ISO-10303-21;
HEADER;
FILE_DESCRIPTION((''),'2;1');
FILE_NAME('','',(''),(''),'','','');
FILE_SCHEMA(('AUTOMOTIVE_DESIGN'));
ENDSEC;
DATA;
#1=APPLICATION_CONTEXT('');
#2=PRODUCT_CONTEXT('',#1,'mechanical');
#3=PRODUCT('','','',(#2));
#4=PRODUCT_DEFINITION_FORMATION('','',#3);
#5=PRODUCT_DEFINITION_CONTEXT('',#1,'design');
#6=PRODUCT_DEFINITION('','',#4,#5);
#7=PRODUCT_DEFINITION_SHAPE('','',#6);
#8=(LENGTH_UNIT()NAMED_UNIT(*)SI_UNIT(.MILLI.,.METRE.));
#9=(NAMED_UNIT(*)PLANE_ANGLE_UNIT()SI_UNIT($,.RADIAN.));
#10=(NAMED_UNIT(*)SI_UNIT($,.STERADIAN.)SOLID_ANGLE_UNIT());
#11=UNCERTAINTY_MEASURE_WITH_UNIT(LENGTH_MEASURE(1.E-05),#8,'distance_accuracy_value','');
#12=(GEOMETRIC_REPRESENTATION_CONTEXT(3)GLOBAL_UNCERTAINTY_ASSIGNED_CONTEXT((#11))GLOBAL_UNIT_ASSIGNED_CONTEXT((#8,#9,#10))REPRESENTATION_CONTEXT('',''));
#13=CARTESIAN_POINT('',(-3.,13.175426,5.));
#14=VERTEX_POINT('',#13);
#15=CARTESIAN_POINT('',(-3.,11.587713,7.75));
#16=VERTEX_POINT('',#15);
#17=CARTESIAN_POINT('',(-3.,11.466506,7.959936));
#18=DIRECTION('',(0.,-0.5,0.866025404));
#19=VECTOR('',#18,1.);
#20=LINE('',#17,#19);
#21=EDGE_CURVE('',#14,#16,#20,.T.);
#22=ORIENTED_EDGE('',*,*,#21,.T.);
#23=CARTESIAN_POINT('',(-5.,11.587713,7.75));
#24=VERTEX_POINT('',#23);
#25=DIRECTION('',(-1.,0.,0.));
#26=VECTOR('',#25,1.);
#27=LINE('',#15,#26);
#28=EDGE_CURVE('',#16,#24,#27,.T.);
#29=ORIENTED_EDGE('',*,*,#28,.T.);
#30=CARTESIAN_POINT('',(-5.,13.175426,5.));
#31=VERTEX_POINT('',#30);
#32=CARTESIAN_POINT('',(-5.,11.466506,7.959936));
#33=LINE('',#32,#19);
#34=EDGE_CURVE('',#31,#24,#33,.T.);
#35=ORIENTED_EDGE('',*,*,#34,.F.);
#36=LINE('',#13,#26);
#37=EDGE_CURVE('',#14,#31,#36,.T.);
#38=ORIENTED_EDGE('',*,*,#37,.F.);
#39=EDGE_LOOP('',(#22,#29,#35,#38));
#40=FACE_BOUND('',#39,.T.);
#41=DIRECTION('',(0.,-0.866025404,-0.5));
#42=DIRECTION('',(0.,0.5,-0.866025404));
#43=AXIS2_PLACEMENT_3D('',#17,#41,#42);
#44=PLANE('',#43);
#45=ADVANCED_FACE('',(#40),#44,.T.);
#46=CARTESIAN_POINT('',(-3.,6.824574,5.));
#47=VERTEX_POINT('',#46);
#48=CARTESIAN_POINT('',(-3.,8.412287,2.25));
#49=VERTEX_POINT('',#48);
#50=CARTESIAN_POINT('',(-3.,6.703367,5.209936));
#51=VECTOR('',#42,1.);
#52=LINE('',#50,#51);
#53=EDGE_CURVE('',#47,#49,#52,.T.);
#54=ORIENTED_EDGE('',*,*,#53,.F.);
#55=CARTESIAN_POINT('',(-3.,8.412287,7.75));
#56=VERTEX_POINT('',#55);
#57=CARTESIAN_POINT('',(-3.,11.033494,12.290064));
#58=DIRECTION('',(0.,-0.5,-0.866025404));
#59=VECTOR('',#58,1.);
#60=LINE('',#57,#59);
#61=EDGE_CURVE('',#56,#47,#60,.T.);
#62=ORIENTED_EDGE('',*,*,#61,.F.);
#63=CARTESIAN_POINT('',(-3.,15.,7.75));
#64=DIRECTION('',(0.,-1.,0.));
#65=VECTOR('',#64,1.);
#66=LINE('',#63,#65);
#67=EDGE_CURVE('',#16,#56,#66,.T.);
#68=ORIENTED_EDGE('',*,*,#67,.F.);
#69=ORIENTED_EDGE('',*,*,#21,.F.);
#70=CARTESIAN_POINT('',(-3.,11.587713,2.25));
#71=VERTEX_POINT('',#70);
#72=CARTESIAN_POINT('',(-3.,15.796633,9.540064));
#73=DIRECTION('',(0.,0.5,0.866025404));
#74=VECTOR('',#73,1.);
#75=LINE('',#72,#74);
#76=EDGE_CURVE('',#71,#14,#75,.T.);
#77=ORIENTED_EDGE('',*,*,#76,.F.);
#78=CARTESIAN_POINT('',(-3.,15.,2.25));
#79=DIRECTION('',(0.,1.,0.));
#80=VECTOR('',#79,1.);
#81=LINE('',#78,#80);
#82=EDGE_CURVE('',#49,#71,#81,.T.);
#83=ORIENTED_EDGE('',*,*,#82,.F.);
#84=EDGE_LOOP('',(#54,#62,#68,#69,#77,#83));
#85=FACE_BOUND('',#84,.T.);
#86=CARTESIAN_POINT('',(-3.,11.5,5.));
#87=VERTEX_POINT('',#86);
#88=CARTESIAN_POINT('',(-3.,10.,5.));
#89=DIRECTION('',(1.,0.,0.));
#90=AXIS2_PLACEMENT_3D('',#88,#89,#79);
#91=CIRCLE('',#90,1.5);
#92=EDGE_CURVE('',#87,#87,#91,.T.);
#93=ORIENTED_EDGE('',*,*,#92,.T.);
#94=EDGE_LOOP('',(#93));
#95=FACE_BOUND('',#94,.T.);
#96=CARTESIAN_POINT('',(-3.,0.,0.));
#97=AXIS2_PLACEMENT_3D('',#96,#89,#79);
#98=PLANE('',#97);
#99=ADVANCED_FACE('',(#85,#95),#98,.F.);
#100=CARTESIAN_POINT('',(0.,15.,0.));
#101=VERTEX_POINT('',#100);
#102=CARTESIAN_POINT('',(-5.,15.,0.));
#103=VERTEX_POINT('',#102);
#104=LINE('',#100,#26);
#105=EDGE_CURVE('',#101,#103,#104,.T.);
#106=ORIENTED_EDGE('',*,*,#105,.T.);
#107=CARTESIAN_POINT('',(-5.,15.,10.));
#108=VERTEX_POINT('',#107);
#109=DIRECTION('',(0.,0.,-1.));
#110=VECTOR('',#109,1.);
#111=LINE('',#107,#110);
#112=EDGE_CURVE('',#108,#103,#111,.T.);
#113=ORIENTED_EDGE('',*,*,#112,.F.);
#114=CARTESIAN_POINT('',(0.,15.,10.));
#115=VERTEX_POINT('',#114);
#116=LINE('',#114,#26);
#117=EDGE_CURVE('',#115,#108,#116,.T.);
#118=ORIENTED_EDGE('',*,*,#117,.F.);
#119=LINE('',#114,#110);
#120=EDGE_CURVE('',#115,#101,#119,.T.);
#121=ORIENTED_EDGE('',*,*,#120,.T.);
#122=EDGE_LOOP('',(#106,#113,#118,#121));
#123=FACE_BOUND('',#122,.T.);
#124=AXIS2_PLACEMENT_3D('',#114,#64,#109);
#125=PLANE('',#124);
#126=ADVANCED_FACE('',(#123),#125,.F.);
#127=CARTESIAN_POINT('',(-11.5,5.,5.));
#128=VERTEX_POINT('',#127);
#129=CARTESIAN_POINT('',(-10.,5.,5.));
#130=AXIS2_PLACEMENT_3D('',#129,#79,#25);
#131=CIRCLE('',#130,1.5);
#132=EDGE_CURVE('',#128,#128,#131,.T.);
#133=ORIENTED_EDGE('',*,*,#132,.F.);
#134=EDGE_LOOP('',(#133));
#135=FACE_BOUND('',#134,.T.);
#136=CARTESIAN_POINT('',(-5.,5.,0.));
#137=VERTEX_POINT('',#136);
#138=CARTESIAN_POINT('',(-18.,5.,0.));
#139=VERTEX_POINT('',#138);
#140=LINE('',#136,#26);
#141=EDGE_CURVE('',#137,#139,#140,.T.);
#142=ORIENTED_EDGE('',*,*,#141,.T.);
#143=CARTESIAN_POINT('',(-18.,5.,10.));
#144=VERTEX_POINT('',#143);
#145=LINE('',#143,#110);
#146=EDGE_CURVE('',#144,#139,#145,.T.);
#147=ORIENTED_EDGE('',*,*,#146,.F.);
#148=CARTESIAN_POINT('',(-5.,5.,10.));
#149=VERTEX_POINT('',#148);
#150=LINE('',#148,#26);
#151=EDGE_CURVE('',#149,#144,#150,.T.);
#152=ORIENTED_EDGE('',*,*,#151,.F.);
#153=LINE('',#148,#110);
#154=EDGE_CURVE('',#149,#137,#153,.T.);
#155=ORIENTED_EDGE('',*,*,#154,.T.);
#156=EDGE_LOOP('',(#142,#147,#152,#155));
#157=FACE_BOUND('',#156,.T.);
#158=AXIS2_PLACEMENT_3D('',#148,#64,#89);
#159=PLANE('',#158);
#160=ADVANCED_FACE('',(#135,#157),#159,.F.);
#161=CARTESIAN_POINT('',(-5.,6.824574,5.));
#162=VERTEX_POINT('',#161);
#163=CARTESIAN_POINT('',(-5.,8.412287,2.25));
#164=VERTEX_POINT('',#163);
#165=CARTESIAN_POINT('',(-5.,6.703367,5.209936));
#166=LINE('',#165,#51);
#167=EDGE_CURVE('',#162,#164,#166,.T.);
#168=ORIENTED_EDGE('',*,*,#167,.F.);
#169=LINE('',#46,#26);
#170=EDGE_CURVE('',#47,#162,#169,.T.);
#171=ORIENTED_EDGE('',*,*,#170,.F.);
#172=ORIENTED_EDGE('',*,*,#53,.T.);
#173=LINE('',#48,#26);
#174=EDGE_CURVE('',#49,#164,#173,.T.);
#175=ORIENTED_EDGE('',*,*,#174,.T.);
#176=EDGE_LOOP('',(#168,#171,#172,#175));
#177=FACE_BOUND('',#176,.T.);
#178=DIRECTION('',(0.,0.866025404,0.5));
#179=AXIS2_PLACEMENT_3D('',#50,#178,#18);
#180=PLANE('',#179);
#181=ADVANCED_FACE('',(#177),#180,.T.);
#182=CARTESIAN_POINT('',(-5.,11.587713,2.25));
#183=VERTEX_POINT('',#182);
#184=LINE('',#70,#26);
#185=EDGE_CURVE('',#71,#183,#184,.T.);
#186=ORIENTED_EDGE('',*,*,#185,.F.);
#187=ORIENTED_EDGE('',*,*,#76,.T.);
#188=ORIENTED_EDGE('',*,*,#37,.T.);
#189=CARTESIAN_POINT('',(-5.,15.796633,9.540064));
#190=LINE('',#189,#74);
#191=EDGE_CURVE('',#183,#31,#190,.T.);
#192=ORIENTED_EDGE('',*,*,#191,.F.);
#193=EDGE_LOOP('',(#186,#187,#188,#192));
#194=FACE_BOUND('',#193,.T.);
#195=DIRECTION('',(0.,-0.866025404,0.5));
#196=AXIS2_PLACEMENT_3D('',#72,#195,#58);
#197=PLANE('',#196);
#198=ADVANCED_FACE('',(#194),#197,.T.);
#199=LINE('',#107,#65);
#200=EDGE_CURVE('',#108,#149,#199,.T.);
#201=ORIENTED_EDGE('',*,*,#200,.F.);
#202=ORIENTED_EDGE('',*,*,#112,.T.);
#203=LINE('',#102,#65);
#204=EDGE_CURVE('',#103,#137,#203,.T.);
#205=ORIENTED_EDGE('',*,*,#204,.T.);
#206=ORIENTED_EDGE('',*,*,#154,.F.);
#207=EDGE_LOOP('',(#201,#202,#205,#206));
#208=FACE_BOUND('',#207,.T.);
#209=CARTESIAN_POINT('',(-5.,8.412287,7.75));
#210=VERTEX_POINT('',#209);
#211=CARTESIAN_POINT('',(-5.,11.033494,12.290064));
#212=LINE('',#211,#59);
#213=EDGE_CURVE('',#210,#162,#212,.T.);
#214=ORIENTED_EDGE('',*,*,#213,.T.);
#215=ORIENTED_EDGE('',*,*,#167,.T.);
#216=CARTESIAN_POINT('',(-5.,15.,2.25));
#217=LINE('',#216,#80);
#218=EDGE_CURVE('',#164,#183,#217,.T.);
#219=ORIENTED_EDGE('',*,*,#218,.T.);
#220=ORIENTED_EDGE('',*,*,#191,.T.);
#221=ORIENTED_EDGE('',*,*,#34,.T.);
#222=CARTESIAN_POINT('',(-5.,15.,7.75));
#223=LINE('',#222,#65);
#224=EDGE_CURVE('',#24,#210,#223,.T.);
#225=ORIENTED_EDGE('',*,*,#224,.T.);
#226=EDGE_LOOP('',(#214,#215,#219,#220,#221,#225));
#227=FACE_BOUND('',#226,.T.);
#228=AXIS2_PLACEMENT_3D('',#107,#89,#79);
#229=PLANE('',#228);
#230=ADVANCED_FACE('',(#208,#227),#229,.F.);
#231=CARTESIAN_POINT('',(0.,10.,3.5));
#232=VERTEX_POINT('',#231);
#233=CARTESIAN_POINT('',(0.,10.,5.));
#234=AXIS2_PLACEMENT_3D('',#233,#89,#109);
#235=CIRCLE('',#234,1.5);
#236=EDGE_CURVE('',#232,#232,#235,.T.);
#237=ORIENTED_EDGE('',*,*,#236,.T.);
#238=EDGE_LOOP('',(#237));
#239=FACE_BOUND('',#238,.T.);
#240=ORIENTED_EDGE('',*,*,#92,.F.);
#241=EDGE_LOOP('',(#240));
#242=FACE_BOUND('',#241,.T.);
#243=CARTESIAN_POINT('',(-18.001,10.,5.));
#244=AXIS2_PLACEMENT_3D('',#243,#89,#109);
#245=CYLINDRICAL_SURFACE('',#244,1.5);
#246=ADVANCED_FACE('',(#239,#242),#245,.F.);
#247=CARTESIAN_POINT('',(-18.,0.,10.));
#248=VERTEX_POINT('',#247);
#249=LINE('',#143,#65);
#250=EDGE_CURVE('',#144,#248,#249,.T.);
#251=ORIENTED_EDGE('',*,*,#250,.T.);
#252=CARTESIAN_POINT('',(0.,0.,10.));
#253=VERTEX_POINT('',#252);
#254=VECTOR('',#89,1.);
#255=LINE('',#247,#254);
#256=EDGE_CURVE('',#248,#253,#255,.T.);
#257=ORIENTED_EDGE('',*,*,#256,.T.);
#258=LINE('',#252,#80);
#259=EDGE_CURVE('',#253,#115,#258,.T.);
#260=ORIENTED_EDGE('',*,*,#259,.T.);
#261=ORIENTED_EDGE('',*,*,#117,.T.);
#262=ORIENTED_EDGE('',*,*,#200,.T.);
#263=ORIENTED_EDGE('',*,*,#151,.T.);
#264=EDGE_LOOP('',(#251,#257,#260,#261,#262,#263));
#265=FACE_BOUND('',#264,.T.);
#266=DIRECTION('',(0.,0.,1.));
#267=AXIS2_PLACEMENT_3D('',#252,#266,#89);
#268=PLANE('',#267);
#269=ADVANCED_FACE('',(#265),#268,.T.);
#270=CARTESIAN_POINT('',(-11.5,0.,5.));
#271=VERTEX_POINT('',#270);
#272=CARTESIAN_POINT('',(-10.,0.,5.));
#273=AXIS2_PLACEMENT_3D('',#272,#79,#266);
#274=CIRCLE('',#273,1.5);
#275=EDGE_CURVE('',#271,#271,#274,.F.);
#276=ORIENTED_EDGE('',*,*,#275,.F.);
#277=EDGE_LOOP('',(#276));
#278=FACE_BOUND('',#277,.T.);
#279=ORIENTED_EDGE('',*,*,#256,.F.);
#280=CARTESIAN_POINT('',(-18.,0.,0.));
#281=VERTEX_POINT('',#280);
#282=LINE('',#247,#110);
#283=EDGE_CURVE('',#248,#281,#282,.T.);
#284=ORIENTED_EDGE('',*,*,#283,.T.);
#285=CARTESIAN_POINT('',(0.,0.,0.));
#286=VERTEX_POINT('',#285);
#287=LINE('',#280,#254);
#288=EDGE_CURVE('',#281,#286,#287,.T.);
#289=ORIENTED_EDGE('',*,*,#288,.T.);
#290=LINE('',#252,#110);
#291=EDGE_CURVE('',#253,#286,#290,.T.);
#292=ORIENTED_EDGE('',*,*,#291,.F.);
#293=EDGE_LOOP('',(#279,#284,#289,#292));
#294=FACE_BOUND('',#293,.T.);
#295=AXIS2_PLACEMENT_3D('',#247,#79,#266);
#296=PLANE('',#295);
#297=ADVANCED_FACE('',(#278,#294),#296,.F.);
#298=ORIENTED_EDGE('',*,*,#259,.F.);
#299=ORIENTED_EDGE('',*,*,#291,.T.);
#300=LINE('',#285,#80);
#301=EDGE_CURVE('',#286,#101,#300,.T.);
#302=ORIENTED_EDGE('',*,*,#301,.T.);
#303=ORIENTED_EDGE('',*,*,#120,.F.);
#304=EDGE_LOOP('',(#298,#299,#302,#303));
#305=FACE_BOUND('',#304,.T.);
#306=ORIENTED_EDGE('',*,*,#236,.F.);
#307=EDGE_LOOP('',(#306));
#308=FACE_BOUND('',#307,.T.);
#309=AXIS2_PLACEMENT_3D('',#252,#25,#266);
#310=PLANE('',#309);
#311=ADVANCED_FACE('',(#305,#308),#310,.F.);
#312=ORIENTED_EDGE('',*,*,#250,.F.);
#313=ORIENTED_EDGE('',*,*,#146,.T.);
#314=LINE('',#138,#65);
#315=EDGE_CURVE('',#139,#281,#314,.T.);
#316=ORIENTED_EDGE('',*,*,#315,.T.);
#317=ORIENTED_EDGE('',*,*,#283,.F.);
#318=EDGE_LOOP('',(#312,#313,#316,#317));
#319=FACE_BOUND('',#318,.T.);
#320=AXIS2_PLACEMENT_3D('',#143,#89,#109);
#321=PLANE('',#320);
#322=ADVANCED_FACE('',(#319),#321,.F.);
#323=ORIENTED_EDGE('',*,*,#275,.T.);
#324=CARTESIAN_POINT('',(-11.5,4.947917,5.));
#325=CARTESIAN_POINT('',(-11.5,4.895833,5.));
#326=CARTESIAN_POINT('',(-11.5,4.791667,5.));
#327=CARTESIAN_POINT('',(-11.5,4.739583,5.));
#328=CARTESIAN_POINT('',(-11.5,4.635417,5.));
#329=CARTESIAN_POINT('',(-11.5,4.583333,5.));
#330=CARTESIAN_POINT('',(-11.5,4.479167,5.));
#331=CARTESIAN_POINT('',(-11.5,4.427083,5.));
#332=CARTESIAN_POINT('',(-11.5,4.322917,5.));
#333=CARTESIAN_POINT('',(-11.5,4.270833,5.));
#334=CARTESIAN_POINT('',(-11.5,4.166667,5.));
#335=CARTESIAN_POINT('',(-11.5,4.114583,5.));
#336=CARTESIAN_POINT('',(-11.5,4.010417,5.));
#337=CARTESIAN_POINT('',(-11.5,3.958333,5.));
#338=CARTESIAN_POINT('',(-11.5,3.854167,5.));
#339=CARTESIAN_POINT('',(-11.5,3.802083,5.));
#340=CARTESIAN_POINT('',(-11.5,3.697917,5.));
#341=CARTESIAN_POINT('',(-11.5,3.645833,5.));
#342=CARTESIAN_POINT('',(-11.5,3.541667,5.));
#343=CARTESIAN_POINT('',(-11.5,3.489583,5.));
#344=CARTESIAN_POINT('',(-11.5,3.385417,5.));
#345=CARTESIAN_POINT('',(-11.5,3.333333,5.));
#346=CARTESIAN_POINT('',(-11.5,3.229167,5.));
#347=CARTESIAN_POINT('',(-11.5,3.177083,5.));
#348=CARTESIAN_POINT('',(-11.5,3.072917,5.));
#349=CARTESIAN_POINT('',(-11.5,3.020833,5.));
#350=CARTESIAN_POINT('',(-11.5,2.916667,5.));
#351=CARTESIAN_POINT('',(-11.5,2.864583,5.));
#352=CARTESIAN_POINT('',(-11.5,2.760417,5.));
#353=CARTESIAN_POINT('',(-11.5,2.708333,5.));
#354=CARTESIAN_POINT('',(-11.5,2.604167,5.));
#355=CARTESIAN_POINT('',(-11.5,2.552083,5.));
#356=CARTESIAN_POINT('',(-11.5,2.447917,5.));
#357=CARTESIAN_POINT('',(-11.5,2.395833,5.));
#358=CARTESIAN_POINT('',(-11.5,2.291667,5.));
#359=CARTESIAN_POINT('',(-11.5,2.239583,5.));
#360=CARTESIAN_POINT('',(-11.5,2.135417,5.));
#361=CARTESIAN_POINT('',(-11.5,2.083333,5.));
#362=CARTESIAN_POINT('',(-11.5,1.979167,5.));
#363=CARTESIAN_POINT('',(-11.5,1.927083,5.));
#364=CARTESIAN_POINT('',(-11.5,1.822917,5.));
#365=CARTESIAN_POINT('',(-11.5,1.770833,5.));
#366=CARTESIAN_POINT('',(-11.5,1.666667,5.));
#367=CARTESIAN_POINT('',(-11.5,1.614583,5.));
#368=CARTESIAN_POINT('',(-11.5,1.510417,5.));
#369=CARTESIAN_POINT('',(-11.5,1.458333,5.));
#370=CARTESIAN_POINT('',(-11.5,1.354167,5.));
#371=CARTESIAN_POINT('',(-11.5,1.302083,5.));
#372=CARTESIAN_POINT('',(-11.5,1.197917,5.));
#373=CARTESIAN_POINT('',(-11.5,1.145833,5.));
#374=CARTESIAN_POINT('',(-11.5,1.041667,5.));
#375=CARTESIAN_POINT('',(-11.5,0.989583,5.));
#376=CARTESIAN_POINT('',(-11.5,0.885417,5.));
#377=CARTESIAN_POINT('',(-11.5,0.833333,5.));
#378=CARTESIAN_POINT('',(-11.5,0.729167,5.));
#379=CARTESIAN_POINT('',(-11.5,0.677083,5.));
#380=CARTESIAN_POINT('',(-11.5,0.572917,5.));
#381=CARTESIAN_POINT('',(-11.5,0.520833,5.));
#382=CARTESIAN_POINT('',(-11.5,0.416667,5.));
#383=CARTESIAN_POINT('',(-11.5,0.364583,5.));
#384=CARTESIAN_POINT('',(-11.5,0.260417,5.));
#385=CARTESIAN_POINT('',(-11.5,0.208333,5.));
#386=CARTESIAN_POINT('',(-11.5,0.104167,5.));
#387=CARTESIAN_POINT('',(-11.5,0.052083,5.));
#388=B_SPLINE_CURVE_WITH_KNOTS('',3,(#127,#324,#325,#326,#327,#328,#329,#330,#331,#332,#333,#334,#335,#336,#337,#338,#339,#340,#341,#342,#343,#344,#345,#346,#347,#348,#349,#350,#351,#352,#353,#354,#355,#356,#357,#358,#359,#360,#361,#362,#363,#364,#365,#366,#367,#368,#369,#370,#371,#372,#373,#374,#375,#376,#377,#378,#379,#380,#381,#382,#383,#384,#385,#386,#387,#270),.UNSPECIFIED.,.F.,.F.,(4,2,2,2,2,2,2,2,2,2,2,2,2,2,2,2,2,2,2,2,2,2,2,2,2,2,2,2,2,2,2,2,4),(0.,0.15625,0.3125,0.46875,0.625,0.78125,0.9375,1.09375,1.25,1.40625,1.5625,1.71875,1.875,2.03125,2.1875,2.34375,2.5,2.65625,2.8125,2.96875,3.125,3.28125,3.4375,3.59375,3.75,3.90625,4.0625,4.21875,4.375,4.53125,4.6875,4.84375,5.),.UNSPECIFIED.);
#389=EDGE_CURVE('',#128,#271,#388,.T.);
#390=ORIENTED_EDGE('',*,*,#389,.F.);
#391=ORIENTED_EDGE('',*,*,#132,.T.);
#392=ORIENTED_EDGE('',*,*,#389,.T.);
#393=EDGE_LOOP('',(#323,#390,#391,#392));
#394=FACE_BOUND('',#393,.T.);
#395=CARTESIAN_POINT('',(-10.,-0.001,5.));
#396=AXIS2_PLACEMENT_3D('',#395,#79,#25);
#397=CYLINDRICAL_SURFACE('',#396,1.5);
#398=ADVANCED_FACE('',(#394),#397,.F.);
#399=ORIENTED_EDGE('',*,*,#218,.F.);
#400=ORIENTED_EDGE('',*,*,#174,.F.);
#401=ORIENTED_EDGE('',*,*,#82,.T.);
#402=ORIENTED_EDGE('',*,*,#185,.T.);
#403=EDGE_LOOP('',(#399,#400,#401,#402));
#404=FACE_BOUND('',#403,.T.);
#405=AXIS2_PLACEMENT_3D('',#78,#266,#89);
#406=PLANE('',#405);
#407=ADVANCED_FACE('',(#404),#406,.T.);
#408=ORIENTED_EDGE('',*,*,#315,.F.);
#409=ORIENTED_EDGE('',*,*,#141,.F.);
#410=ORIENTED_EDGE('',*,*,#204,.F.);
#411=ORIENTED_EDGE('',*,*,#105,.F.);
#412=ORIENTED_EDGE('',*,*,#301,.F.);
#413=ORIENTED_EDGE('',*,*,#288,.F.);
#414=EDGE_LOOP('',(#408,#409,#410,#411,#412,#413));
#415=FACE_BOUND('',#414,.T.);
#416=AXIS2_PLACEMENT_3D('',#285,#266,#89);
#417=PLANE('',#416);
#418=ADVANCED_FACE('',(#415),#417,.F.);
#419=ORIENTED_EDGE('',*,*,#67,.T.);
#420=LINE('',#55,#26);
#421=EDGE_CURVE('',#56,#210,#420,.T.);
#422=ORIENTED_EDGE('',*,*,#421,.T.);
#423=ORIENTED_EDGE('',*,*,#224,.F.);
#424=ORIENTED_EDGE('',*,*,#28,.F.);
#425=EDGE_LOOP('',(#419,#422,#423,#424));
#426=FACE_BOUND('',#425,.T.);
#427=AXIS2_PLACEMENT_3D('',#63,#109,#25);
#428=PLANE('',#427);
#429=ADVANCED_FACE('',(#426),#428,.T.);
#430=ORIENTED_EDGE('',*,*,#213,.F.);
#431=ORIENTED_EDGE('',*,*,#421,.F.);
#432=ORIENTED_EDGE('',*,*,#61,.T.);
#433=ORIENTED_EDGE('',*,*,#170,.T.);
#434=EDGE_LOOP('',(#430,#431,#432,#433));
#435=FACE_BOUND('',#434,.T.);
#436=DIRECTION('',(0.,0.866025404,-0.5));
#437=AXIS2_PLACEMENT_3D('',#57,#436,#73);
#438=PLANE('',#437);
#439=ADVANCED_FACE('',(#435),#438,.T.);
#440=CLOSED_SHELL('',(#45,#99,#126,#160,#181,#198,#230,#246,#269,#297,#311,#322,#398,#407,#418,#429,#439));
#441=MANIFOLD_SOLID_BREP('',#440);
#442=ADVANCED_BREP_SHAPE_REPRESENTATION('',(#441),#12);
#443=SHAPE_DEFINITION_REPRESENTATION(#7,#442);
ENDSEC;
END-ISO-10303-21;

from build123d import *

# Parameters (mm, degrees)
EXTRUDE_1_DEPTH     = 10
CUT_EXTRUDE_1_REACH = 27.475
SKETCH_2_R          = 1.5
CUT_EXTRUDE_START   = -3
SKETCH_2_3_R        = 1.5
CUT_EXTRUDE_2_DEPTH = 2
CUT_EXTRUDE_3_REACH = 24.891
SKETCH_3_R          = 1.5


with BuildPart() as part:
    # 草图1 → 凸台-拉伸1 (new body)
    with BuildSketch(Plane.XY):
        Polygon((0, 0), (0, 15), (-5, 15), (-5, 5), (-18, 5), (-18, 0), align=None)
    extrude(amount=EXTRUDE_1_DEPTH)

    # 草图2 → 切除-拉伸1 (cut, up to next)
    with BuildSketch(Plane(origin=(0, 0, 0), x_dir=(0, 0, -1), z_dir=(1, 0, 0)), mode=Mode.PRIVATE) as cut_extrude_1_sk1:
        with Locations((-5, 10)):
            Circle(SKETCH_2_R)
    cut_extrude_1_tool1 = extrude(cut_extrude_1_sk1.sketch, amount=-CUT_EXTRUDE_1_REACH, mode=Mode.PRIVATE) & part.part
    add(cut_extrude_1_tool1.solids().sort_by_distance((0, 10, 5))[0], mode=Mode.SUBTRACT)

    # 草图2<3> → 切除-拉伸2 (cut)
    with BuildSketch(Plane(origin=(0, 0, 0), x_dir=(0, 0, -1), z_dir=(1, 0, 0)).offset(CUT_EXTRUDE_START)):
        Polygon((-5, 6.824573519), (-2.25, 8.41228676), (-2.25, 11.58771324), (-5, 13.175426481), (-7.75, 11.58771324), (-7.75, 8.41228676), align=None)
        with Locations((-5, 10)):
            Circle(SKETCH_2_3_R, mode=Mode.SUBTRACT)
    extrude(amount=-CUT_EXTRUDE_2_DEPTH, mode=Mode.SUBTRACT)

    # 草图3 → 切除-拉伸3 (cut, up to next)
    with BuildSketch(Plane(origin=(0, 5, 0), x_dir=(1, 0, 0), z_dir=(0, 1, 0)), mode=Mode.PRIVATE) as cut_extrude_3_sk1:
        with Locations(Location((-10, -5, 0), (0, 0, 180))):
            Circle(SKETCH_3_R)
    cut_extrude_3_tool1 = extrude(cut_extrude_3_sk1.sketch, amount=-CUT_EXTRUDE_3_REACH, mode=Mode.PRIVATE) & part.part
    add(cut_extrude_3_tool1.solids().sort_by_distance((-10, 5, 5))[0], mode=Mode.SUBTRACT)


solid = part.part
